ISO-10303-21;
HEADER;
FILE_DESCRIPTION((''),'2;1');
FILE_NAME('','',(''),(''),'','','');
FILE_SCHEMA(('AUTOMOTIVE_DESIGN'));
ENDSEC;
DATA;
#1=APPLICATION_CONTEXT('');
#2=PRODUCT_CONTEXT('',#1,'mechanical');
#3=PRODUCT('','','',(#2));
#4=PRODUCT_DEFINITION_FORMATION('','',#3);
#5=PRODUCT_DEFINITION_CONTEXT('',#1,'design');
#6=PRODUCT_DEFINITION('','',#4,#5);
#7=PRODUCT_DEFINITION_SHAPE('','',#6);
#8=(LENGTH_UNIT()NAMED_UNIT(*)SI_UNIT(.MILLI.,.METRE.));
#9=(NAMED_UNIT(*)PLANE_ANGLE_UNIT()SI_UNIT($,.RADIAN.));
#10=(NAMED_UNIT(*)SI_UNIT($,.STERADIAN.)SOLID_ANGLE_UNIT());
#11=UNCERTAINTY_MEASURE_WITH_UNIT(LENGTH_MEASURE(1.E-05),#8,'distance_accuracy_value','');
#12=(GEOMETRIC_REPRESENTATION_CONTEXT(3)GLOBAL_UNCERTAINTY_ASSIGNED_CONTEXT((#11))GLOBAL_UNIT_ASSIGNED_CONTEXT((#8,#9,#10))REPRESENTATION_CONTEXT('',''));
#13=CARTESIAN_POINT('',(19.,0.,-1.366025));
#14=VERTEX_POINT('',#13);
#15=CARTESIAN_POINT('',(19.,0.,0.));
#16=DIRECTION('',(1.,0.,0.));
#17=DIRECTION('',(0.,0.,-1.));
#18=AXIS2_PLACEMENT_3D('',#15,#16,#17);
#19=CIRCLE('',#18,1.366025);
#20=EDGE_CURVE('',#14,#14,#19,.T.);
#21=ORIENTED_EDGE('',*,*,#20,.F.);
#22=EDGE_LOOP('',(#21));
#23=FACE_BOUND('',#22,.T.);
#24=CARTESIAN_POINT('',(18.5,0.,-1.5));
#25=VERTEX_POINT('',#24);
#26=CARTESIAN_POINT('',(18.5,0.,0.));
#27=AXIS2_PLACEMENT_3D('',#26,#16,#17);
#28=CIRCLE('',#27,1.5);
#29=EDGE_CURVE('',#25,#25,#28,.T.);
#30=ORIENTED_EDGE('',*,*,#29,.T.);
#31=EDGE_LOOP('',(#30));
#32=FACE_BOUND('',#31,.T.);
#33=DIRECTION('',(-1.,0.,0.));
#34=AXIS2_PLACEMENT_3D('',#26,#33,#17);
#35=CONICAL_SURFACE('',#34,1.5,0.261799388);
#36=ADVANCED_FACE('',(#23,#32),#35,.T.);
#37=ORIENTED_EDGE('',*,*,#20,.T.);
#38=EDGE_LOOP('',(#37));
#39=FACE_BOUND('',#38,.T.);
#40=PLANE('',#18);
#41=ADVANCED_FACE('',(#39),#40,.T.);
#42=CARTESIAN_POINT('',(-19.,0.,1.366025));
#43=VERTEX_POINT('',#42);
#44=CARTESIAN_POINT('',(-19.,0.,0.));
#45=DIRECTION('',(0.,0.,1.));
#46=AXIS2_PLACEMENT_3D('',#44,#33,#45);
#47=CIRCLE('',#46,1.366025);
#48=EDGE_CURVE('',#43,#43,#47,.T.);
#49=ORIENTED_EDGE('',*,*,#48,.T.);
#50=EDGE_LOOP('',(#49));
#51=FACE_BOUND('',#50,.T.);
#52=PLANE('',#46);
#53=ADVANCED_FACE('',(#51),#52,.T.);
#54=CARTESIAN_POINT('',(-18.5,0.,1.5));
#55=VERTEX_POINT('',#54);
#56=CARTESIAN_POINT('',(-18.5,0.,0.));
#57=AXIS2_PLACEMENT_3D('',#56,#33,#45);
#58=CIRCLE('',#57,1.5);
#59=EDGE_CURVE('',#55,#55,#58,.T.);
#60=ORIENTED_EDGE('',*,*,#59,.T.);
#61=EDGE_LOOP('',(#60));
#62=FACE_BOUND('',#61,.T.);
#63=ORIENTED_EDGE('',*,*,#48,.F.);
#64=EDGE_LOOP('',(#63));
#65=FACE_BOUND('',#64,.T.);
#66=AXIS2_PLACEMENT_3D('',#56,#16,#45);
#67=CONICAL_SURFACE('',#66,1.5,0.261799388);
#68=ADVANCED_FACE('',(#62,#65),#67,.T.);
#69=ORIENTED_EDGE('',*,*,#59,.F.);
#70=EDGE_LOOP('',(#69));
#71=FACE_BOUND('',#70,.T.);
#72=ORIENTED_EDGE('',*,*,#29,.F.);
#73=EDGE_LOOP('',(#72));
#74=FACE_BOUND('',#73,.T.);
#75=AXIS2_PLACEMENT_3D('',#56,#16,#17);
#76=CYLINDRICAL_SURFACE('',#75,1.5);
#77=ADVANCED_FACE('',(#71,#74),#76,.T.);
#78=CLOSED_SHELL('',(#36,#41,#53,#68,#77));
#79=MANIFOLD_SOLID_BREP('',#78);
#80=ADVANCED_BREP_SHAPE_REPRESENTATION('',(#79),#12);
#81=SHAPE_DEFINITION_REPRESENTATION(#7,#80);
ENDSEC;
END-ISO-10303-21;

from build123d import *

# Parameters (mm, degrees)
SKETCH2_R           = 1.5
EXTRUDE1_DEPTH      = 18.5
EXTRUDE1_DEPTH_BACK = 18.5
SKETCH3_R           = 1.5
EXTRUDE2_DEPTH      = 0.5
EXTRUDE2_TAPER      = 15
SKETCH4_R           = 1.5
EXTRUDE3_DEPTH      = 0.5
EXTRUDE3_TAPER      = 15


with BuildPart() as part:
    # Sketch2 → Extrude1 (new body, two sides)
    with BuildSketch(Plane(origin=(0, 0, 0), x_dir=(0, 0, -1), z_dir=(1, 0, 0))) as extrude1_sk:
        Circle(SKETCH2_R)
    extrude(amount=EXTRUDE1_DEPTH)
    extrude(extrude1_sk.sketch, amount=-EXTRUDE1_DEPTH_BACK)

    # Sketch3 → Extrude2 (add)
    with BuildSketch(Plane(origin=(18.5, 0, 0), x_dir=(0, 0, -1), z_dir=(1, 0, 0))):
        Circle(SKETCH3_R)
    extrude(amount=EXTRUDE2_DEPTH, taper=EXTRUDE2_TAPER)

    # Sketch4 → Extrude3 (add)
    with BuildSketch(Plane.ZY.offset(18.5)):
        Circle(SKETCH4_R)
    extrude(amount=EXTRUDE3_DEPTH, taper=EXTRUDE3_TAPER)


solid = part.part
